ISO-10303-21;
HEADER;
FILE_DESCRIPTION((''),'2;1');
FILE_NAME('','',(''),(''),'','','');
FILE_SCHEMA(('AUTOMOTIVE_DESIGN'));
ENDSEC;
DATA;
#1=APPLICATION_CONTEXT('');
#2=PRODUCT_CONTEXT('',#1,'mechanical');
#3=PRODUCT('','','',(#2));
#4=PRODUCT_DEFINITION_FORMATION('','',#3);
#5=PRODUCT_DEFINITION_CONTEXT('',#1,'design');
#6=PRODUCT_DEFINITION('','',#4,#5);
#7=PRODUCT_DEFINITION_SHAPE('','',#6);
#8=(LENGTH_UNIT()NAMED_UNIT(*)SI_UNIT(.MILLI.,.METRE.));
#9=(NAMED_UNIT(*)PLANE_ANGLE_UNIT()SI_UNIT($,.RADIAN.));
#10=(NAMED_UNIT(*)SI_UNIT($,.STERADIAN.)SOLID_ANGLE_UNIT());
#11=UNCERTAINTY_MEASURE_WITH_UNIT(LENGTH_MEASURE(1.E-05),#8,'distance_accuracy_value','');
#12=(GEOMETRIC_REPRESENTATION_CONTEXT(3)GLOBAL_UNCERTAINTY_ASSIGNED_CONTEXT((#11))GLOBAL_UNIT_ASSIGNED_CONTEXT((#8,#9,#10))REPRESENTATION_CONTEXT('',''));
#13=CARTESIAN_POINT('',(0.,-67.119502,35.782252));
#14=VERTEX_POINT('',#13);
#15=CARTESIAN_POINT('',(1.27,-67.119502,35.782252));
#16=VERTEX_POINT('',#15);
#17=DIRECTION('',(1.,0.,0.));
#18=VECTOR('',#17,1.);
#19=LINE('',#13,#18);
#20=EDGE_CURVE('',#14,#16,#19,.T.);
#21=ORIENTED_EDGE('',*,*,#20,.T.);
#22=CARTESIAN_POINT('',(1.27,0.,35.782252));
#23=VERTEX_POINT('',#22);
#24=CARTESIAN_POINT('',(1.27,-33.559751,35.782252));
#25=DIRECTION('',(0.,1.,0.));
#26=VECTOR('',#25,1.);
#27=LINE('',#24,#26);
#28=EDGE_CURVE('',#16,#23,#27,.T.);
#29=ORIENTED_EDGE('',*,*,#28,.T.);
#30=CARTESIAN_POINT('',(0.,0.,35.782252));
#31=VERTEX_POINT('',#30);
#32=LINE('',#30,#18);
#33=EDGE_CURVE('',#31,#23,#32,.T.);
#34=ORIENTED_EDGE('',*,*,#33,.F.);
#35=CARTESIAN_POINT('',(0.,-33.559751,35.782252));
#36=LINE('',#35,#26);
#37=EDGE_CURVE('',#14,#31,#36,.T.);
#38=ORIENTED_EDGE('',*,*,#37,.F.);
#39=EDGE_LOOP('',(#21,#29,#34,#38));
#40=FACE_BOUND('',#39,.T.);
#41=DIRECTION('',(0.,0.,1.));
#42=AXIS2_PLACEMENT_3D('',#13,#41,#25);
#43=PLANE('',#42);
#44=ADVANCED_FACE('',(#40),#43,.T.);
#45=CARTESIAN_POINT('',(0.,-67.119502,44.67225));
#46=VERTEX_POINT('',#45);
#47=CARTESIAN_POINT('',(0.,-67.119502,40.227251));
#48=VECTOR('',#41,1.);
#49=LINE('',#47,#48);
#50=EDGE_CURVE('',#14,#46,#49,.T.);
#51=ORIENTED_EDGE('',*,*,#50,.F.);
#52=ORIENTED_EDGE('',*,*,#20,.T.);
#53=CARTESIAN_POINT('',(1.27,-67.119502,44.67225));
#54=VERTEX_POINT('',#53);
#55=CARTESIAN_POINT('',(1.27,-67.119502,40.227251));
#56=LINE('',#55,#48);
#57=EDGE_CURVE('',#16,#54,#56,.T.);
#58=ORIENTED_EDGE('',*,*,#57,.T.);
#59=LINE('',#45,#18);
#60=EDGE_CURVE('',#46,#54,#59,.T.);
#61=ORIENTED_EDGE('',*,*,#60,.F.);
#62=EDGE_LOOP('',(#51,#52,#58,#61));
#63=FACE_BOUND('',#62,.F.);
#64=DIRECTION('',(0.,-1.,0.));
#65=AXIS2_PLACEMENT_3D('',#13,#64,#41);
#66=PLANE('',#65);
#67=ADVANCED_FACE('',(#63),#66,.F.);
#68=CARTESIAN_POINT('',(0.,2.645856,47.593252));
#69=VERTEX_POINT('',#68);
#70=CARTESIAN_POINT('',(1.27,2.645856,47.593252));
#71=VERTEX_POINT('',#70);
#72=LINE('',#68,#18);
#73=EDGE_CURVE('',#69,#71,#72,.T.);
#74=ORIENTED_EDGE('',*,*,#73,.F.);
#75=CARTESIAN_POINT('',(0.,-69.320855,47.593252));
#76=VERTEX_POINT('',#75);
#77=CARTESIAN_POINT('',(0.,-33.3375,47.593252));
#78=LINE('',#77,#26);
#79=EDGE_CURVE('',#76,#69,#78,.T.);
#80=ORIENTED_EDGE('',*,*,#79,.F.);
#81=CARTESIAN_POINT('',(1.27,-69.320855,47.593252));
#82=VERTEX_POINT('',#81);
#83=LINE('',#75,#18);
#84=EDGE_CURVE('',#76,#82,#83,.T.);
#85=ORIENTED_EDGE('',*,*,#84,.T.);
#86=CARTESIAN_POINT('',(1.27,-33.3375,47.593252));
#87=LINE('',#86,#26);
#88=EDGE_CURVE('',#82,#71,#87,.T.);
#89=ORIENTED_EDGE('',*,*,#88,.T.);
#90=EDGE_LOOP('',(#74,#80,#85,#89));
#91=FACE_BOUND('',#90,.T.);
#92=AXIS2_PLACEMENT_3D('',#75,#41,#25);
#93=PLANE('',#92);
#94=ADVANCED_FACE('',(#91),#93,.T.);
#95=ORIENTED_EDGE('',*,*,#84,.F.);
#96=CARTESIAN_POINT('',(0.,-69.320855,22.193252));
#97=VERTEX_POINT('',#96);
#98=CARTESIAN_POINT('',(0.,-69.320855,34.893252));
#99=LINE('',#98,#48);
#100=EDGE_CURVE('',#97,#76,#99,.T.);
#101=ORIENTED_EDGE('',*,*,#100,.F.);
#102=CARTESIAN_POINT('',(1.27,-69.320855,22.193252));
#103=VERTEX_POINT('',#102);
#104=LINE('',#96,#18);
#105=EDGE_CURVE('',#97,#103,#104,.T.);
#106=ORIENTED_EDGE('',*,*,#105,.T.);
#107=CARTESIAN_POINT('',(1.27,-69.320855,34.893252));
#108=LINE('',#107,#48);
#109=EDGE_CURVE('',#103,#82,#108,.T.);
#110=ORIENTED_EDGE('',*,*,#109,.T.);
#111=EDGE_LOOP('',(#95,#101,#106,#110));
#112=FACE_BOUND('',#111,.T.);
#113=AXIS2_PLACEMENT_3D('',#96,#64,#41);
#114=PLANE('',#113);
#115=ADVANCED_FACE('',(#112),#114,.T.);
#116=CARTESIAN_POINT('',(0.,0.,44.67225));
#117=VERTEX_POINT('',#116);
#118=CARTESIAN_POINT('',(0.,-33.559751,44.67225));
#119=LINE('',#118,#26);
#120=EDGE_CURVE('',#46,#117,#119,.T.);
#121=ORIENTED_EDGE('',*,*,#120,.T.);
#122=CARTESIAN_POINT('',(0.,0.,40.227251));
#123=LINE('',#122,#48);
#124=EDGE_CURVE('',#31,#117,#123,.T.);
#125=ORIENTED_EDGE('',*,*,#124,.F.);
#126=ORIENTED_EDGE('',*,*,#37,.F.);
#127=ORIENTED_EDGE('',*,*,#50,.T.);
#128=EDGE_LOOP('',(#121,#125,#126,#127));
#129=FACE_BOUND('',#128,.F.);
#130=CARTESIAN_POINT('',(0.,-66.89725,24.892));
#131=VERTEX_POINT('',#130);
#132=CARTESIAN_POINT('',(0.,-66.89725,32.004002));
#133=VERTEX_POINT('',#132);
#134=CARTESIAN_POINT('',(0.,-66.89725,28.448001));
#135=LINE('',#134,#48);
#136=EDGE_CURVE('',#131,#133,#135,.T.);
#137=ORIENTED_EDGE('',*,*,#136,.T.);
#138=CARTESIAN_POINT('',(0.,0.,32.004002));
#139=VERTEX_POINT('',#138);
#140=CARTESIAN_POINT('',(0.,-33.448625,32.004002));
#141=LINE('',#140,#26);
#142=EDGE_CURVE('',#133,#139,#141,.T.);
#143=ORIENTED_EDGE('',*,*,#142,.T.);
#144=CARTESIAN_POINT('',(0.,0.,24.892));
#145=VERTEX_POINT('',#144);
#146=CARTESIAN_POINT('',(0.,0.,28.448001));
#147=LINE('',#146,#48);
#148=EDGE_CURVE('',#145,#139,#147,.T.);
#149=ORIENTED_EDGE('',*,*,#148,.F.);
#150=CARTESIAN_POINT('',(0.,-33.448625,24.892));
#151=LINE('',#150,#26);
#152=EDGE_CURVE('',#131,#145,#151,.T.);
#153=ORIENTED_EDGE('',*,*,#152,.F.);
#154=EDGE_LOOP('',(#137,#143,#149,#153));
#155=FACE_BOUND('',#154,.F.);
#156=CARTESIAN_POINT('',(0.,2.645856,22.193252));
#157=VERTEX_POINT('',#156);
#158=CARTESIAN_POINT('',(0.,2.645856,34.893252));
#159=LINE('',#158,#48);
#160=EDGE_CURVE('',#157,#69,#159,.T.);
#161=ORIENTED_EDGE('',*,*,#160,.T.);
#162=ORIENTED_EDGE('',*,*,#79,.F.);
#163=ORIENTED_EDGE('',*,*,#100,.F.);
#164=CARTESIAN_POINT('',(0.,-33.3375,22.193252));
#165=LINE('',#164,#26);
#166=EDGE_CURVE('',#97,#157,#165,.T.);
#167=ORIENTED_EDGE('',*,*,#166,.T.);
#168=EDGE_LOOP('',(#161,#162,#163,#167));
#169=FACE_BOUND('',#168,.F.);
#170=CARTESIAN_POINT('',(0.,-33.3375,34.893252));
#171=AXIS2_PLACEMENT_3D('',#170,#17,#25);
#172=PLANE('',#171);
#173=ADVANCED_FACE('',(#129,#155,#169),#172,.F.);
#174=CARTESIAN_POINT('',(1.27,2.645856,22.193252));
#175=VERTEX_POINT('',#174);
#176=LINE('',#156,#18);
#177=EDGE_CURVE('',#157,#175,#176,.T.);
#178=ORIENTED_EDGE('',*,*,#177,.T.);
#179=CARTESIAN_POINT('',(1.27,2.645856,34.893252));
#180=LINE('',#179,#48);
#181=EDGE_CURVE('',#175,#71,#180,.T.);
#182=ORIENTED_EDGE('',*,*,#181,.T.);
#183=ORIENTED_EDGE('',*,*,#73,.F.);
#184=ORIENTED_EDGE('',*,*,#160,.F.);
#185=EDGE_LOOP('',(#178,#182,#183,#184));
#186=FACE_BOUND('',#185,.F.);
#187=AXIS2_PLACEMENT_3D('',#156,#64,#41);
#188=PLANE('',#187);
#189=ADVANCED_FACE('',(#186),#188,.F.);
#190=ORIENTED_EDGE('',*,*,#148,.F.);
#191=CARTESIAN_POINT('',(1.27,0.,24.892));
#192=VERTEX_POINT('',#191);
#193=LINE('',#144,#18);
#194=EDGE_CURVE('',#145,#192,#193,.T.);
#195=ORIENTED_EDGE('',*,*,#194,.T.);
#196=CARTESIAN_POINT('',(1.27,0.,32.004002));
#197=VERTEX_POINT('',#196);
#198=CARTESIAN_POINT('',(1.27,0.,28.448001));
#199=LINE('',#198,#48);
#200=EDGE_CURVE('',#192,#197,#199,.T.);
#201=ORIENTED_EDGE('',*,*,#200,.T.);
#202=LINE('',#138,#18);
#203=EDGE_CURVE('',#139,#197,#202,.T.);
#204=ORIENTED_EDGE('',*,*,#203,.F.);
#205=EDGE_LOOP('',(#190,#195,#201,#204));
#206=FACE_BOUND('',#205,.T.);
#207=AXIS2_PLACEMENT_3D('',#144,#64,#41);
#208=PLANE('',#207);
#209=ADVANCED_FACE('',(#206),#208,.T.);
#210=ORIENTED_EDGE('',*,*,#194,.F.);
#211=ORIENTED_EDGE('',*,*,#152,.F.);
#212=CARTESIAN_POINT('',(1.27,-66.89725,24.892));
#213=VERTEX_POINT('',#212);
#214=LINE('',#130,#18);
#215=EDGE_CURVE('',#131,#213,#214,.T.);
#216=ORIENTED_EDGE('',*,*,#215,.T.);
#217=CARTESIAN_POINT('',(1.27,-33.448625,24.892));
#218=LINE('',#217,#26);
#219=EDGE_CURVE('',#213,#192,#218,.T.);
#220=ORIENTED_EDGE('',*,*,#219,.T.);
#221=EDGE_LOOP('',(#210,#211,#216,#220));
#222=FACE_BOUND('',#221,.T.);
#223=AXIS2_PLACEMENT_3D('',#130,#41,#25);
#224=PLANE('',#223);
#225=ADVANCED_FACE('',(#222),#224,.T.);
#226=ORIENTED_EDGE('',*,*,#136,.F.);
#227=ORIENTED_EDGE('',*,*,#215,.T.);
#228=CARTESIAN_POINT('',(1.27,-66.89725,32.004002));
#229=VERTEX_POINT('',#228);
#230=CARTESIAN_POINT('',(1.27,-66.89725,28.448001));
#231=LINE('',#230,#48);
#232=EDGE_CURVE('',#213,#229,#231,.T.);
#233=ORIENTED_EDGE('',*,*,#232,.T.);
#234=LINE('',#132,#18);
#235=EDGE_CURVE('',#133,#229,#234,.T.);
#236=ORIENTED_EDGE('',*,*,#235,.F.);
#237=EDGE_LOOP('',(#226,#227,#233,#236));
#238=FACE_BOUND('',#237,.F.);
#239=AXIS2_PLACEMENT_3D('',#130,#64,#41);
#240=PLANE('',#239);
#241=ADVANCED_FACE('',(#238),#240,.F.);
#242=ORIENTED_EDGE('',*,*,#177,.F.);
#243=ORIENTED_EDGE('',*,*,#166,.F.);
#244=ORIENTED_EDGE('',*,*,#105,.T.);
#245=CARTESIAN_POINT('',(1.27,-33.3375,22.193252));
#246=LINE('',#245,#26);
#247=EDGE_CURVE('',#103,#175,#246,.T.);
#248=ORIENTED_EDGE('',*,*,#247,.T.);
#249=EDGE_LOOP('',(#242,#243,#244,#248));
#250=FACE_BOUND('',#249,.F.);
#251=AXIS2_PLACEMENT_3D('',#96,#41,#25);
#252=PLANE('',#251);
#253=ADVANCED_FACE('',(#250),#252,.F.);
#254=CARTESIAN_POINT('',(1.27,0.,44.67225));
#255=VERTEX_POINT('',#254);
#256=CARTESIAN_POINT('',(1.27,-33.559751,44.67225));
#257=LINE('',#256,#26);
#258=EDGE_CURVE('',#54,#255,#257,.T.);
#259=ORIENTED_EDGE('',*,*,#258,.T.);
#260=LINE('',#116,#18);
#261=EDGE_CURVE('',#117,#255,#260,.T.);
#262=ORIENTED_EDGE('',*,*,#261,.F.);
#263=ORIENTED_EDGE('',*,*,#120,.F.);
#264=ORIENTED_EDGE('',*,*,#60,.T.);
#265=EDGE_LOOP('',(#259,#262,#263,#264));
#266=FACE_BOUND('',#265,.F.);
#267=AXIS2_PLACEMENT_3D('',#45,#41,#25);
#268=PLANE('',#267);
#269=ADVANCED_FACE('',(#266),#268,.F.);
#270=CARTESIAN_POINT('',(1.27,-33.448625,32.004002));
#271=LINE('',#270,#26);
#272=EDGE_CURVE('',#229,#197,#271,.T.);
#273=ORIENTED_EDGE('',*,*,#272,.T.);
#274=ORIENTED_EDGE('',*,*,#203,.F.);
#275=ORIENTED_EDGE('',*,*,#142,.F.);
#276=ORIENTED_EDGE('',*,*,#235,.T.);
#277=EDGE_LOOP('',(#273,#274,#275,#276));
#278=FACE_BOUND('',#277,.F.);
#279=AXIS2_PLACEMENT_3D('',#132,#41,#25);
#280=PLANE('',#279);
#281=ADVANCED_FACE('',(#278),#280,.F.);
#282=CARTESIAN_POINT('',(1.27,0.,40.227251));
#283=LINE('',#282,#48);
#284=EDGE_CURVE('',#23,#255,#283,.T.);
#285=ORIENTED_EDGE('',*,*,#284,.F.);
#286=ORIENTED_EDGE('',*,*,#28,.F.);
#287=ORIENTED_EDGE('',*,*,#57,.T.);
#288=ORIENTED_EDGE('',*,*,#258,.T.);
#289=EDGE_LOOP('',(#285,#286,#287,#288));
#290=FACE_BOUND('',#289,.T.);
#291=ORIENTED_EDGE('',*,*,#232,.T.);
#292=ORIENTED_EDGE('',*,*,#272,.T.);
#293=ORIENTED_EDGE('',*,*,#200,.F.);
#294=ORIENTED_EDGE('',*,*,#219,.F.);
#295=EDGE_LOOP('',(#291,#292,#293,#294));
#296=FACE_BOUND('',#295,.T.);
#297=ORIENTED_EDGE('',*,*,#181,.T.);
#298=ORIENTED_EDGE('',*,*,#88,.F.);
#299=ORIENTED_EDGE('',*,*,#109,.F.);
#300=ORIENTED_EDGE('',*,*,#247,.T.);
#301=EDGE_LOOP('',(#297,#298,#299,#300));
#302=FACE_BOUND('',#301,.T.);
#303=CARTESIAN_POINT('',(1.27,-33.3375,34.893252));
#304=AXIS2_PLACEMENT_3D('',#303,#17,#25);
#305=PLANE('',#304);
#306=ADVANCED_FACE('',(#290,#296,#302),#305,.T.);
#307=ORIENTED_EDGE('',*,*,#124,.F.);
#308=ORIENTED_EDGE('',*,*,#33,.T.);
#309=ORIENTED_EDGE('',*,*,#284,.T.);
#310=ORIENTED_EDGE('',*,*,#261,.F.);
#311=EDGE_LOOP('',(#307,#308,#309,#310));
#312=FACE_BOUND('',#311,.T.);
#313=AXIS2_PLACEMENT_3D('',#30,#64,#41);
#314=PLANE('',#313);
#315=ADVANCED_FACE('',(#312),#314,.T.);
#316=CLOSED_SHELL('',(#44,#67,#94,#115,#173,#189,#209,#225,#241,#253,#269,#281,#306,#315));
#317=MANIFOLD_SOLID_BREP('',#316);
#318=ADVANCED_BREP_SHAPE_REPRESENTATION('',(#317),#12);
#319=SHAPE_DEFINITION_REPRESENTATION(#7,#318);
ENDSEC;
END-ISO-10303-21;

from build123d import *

# Parameters (mm, degrees)
F0_W     = 71.966711
F0_H     = 25.4
F0_W_2   = 66.897251
F0_H_2   = 7.112002
F0_W_3   = 67.119502
F0_H_3   = 8.889999
F1_DEPTH = 1.27


with BuildPart() as f1:
    # F0 (on Right) → F1 (new body)
    with BuildSketch(Plane.YZ):
        with Locations((-33.3375, 34.893252)):
            Rectangle(F0_W, F0_H)
        with Locations((-33.448625, 28.448001)):
            Rectangle(F0_W_2, F0_H_2, mode=Mode.SUBTRACT)
        with Locations((-33.559751, 40.227251)):
            Rectangle(F0_W_3, F0_H_3, mode=Mode.SUBTRACT)
    extrude(amount=F1_DEPTH)


solid = f1.part
